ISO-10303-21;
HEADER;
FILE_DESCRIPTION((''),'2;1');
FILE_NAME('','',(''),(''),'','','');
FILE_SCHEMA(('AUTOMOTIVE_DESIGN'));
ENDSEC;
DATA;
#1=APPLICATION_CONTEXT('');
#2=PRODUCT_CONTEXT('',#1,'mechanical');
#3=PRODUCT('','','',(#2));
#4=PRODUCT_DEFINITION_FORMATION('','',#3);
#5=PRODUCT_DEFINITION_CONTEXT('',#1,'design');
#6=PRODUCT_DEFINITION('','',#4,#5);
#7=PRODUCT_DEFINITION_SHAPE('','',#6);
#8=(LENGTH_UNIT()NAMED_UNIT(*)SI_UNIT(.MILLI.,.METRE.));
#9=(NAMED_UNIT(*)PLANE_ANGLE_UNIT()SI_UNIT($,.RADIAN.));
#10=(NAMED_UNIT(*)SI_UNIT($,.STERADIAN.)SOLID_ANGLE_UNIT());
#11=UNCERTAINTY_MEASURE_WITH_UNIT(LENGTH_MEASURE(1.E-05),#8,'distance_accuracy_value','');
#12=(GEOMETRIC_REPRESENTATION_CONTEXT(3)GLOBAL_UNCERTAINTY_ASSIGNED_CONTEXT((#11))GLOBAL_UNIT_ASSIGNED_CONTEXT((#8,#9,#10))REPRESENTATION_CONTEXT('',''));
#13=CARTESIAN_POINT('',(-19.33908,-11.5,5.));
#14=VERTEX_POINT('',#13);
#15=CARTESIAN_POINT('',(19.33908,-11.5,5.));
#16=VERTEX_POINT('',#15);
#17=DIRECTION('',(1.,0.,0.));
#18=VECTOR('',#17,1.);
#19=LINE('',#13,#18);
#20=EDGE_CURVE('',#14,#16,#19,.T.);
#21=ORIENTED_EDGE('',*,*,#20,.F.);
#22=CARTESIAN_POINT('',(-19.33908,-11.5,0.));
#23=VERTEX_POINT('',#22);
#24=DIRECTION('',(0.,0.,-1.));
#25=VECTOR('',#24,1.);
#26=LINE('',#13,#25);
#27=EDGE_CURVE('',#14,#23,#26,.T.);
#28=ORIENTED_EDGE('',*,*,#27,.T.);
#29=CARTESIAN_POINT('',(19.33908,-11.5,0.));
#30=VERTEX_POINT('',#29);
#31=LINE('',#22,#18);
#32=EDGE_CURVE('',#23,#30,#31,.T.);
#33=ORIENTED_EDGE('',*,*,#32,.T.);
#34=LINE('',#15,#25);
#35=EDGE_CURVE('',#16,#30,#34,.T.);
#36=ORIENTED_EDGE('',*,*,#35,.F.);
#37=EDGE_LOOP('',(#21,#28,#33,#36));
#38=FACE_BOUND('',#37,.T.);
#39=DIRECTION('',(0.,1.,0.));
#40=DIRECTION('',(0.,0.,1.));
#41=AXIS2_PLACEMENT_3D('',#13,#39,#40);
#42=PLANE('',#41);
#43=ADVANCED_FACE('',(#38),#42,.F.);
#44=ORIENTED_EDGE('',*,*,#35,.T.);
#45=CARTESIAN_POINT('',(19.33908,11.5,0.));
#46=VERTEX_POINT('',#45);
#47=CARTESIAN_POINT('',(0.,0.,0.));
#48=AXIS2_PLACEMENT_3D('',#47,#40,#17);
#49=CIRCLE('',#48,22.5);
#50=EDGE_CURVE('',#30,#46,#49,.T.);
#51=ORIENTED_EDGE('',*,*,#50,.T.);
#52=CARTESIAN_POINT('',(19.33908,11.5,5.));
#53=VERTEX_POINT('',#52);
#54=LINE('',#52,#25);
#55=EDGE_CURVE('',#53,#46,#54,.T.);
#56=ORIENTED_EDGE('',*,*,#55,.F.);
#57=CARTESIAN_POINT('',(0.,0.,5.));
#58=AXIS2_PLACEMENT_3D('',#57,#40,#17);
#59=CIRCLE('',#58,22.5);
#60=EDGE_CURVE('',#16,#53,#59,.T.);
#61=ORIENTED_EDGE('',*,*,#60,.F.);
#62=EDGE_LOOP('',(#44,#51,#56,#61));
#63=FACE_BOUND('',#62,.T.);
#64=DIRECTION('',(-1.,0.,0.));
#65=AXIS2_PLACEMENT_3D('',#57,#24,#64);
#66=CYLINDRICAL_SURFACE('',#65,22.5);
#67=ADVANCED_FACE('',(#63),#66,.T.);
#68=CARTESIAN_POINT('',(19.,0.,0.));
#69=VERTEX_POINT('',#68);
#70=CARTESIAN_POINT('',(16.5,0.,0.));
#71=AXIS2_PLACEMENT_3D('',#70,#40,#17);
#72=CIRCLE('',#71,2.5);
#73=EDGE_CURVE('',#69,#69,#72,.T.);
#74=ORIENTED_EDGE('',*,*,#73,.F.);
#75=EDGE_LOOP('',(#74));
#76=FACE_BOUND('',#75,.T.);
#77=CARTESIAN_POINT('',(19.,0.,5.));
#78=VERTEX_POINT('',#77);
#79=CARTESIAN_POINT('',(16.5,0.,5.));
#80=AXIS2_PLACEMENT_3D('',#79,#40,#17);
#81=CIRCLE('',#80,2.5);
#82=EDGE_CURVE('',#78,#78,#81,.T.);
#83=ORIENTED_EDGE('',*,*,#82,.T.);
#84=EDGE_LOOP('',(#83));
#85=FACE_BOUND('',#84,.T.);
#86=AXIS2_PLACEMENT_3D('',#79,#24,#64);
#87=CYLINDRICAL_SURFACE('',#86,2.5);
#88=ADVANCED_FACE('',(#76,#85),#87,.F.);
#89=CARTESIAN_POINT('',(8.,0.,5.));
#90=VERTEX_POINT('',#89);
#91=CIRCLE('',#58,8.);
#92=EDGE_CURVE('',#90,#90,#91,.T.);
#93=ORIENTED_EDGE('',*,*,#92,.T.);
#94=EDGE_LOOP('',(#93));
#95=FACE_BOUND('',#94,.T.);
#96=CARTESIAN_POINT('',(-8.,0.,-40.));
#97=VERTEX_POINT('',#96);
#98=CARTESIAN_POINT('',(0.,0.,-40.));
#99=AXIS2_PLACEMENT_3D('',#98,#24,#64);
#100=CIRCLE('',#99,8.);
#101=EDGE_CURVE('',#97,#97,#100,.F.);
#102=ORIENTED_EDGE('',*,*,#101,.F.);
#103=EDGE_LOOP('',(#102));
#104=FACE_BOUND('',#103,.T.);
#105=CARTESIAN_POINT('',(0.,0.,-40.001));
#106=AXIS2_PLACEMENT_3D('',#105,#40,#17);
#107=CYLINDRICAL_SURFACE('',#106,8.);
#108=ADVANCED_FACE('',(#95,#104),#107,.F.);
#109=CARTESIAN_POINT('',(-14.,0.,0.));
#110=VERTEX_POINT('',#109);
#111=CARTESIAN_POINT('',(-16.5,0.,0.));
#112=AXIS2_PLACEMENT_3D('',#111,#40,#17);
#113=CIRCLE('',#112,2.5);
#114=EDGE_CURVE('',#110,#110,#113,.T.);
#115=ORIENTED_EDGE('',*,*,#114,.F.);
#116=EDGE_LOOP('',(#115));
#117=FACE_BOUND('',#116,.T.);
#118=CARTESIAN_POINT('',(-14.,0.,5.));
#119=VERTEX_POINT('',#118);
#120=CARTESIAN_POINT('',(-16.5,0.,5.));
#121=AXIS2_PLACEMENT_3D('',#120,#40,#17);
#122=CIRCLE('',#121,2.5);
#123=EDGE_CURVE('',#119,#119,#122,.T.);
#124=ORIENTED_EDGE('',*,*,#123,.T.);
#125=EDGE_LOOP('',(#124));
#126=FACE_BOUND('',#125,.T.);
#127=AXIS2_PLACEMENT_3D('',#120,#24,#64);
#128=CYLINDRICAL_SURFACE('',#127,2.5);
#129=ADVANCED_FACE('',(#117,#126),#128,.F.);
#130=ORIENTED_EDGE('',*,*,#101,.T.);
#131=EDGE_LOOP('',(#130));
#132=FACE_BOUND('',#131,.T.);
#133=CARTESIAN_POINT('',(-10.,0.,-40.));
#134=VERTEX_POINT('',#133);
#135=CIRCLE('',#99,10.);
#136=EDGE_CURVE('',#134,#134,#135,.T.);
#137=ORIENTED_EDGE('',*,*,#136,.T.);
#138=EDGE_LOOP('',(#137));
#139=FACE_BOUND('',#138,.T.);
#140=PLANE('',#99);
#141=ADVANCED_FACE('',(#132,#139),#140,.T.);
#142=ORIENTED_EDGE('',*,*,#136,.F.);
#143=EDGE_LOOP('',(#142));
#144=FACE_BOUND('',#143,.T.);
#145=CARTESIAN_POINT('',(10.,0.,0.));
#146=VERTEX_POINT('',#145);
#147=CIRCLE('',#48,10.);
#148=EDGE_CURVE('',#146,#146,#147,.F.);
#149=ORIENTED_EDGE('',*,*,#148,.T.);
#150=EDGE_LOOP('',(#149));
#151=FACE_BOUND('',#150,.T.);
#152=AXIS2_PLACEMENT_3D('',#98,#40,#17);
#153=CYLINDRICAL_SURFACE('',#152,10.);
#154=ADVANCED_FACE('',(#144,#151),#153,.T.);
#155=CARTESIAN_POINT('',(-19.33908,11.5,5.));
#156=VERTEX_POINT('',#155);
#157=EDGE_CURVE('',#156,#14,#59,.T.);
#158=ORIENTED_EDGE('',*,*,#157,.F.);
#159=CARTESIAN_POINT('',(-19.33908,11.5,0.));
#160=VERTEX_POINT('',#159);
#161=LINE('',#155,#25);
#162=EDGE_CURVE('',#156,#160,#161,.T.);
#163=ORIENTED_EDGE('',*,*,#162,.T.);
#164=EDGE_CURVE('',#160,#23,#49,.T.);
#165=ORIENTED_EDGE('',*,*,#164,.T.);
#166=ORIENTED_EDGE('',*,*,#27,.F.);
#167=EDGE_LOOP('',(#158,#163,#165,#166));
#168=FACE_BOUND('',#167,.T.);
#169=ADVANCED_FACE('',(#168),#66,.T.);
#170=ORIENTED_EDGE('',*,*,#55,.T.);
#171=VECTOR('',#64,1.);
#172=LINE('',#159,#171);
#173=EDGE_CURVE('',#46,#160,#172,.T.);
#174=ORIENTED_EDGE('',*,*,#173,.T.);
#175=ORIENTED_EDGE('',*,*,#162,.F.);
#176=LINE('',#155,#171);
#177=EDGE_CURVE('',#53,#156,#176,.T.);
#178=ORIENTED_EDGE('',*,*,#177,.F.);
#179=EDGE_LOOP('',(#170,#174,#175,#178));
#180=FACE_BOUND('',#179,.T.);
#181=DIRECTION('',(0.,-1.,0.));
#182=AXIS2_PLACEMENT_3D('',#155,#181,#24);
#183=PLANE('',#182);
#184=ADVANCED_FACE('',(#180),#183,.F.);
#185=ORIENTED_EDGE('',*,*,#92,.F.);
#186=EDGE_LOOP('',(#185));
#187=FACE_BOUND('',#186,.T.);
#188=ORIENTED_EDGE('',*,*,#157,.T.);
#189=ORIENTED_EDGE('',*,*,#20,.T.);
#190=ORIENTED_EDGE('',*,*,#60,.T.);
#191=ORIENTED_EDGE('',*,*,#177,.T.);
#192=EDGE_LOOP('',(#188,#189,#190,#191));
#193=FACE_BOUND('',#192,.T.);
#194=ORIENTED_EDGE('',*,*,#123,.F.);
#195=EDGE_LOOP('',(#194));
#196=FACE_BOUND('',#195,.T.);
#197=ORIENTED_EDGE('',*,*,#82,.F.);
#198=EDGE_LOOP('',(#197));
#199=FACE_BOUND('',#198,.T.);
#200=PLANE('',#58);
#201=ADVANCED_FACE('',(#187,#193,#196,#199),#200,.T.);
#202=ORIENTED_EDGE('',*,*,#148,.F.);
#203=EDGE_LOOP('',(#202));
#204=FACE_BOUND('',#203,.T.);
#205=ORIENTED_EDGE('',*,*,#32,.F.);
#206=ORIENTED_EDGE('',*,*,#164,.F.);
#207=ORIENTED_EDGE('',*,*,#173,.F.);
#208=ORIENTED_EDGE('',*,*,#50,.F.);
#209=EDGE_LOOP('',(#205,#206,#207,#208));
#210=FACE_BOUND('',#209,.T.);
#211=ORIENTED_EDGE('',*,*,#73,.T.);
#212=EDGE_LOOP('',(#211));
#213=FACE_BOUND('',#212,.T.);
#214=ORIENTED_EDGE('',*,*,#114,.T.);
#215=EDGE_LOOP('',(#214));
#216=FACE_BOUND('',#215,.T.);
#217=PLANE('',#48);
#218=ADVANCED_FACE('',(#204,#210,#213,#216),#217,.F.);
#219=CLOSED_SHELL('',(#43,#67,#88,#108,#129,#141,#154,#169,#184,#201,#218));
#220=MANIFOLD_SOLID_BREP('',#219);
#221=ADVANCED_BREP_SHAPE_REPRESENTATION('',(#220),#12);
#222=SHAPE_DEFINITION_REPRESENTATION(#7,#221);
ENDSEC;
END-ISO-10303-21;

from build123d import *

# Parameters (mm, degrees)
SKETCH1_R           = 2.5
BOSS_EXTRUDE1_DEPTH = 5
SKETCH2_R           = 10
BOSS_EXTRUDE2_DEPTH = 40
CUT_EXTRUDE1_REACH  = 53.609
SKETCH3_R           = 8


with BuildPart() as part:
    # Sketch1 → Boss-Extrude1 (new body)
    with BuildSketch(Plane.XY):
        with BuildLine():
            Line((-19.339079606, -11.5), (19.339079606, -11.5))
            ThreePointArc((19.339079606, -11.5), (22.5, 0), (19.339079606, 11.5))
            Line((19.339079606, 11.5), (-19.339079606, 11.5))
            ThreePointArc((-19.339079606, 11.5), (-22.5, 0), (-19.339079606, -11.5))
        make_face()
        with Locations((-16.5, 0)):
            Circle(SKETCH1_R, mode=Mode.SUBTRACT)
        with Locations((16.5, 0)):
            Circle(SKETCH1_R, mode=Mode.SUBTRACT)
    extrude(amount=BOSS_EXTRUDE1_DEPTH)

    # Sketch2 → Boss-Extrude2 (add)
    with BuildSketch(Plane(origin=(0, 0, 0), x_dir=(-1, 0, 0), z_dir=(0, 0, -1))):
        with Locations(Location((0, 0, 0), (0, 0, 180))):
            Circle(SKETCH2_R)
    extrude(amount=BOSS_EXTRUDE2_DEPTH)

    # Sketch3 → Cut-Extrude1 (cut, up to next)
    with BuildSketch(Plane.XY.offset(5), mode=Mode.PRIVATE) as cut_extrude1_sk1:
        Circle(SKETCH3_R)
    cut_extrude1_tool1 = extrude(cut_extrude1_sk1.sketch, amount=-CUT_EXTRUDE1_REACH, mode=Mode.PRIVATE) & part.part
    add(cut_extrude1_tool1.solids().sort_by_distance((0, 0, 5))[0], mode=Mode.SUBTRACT)


solid = part.part
